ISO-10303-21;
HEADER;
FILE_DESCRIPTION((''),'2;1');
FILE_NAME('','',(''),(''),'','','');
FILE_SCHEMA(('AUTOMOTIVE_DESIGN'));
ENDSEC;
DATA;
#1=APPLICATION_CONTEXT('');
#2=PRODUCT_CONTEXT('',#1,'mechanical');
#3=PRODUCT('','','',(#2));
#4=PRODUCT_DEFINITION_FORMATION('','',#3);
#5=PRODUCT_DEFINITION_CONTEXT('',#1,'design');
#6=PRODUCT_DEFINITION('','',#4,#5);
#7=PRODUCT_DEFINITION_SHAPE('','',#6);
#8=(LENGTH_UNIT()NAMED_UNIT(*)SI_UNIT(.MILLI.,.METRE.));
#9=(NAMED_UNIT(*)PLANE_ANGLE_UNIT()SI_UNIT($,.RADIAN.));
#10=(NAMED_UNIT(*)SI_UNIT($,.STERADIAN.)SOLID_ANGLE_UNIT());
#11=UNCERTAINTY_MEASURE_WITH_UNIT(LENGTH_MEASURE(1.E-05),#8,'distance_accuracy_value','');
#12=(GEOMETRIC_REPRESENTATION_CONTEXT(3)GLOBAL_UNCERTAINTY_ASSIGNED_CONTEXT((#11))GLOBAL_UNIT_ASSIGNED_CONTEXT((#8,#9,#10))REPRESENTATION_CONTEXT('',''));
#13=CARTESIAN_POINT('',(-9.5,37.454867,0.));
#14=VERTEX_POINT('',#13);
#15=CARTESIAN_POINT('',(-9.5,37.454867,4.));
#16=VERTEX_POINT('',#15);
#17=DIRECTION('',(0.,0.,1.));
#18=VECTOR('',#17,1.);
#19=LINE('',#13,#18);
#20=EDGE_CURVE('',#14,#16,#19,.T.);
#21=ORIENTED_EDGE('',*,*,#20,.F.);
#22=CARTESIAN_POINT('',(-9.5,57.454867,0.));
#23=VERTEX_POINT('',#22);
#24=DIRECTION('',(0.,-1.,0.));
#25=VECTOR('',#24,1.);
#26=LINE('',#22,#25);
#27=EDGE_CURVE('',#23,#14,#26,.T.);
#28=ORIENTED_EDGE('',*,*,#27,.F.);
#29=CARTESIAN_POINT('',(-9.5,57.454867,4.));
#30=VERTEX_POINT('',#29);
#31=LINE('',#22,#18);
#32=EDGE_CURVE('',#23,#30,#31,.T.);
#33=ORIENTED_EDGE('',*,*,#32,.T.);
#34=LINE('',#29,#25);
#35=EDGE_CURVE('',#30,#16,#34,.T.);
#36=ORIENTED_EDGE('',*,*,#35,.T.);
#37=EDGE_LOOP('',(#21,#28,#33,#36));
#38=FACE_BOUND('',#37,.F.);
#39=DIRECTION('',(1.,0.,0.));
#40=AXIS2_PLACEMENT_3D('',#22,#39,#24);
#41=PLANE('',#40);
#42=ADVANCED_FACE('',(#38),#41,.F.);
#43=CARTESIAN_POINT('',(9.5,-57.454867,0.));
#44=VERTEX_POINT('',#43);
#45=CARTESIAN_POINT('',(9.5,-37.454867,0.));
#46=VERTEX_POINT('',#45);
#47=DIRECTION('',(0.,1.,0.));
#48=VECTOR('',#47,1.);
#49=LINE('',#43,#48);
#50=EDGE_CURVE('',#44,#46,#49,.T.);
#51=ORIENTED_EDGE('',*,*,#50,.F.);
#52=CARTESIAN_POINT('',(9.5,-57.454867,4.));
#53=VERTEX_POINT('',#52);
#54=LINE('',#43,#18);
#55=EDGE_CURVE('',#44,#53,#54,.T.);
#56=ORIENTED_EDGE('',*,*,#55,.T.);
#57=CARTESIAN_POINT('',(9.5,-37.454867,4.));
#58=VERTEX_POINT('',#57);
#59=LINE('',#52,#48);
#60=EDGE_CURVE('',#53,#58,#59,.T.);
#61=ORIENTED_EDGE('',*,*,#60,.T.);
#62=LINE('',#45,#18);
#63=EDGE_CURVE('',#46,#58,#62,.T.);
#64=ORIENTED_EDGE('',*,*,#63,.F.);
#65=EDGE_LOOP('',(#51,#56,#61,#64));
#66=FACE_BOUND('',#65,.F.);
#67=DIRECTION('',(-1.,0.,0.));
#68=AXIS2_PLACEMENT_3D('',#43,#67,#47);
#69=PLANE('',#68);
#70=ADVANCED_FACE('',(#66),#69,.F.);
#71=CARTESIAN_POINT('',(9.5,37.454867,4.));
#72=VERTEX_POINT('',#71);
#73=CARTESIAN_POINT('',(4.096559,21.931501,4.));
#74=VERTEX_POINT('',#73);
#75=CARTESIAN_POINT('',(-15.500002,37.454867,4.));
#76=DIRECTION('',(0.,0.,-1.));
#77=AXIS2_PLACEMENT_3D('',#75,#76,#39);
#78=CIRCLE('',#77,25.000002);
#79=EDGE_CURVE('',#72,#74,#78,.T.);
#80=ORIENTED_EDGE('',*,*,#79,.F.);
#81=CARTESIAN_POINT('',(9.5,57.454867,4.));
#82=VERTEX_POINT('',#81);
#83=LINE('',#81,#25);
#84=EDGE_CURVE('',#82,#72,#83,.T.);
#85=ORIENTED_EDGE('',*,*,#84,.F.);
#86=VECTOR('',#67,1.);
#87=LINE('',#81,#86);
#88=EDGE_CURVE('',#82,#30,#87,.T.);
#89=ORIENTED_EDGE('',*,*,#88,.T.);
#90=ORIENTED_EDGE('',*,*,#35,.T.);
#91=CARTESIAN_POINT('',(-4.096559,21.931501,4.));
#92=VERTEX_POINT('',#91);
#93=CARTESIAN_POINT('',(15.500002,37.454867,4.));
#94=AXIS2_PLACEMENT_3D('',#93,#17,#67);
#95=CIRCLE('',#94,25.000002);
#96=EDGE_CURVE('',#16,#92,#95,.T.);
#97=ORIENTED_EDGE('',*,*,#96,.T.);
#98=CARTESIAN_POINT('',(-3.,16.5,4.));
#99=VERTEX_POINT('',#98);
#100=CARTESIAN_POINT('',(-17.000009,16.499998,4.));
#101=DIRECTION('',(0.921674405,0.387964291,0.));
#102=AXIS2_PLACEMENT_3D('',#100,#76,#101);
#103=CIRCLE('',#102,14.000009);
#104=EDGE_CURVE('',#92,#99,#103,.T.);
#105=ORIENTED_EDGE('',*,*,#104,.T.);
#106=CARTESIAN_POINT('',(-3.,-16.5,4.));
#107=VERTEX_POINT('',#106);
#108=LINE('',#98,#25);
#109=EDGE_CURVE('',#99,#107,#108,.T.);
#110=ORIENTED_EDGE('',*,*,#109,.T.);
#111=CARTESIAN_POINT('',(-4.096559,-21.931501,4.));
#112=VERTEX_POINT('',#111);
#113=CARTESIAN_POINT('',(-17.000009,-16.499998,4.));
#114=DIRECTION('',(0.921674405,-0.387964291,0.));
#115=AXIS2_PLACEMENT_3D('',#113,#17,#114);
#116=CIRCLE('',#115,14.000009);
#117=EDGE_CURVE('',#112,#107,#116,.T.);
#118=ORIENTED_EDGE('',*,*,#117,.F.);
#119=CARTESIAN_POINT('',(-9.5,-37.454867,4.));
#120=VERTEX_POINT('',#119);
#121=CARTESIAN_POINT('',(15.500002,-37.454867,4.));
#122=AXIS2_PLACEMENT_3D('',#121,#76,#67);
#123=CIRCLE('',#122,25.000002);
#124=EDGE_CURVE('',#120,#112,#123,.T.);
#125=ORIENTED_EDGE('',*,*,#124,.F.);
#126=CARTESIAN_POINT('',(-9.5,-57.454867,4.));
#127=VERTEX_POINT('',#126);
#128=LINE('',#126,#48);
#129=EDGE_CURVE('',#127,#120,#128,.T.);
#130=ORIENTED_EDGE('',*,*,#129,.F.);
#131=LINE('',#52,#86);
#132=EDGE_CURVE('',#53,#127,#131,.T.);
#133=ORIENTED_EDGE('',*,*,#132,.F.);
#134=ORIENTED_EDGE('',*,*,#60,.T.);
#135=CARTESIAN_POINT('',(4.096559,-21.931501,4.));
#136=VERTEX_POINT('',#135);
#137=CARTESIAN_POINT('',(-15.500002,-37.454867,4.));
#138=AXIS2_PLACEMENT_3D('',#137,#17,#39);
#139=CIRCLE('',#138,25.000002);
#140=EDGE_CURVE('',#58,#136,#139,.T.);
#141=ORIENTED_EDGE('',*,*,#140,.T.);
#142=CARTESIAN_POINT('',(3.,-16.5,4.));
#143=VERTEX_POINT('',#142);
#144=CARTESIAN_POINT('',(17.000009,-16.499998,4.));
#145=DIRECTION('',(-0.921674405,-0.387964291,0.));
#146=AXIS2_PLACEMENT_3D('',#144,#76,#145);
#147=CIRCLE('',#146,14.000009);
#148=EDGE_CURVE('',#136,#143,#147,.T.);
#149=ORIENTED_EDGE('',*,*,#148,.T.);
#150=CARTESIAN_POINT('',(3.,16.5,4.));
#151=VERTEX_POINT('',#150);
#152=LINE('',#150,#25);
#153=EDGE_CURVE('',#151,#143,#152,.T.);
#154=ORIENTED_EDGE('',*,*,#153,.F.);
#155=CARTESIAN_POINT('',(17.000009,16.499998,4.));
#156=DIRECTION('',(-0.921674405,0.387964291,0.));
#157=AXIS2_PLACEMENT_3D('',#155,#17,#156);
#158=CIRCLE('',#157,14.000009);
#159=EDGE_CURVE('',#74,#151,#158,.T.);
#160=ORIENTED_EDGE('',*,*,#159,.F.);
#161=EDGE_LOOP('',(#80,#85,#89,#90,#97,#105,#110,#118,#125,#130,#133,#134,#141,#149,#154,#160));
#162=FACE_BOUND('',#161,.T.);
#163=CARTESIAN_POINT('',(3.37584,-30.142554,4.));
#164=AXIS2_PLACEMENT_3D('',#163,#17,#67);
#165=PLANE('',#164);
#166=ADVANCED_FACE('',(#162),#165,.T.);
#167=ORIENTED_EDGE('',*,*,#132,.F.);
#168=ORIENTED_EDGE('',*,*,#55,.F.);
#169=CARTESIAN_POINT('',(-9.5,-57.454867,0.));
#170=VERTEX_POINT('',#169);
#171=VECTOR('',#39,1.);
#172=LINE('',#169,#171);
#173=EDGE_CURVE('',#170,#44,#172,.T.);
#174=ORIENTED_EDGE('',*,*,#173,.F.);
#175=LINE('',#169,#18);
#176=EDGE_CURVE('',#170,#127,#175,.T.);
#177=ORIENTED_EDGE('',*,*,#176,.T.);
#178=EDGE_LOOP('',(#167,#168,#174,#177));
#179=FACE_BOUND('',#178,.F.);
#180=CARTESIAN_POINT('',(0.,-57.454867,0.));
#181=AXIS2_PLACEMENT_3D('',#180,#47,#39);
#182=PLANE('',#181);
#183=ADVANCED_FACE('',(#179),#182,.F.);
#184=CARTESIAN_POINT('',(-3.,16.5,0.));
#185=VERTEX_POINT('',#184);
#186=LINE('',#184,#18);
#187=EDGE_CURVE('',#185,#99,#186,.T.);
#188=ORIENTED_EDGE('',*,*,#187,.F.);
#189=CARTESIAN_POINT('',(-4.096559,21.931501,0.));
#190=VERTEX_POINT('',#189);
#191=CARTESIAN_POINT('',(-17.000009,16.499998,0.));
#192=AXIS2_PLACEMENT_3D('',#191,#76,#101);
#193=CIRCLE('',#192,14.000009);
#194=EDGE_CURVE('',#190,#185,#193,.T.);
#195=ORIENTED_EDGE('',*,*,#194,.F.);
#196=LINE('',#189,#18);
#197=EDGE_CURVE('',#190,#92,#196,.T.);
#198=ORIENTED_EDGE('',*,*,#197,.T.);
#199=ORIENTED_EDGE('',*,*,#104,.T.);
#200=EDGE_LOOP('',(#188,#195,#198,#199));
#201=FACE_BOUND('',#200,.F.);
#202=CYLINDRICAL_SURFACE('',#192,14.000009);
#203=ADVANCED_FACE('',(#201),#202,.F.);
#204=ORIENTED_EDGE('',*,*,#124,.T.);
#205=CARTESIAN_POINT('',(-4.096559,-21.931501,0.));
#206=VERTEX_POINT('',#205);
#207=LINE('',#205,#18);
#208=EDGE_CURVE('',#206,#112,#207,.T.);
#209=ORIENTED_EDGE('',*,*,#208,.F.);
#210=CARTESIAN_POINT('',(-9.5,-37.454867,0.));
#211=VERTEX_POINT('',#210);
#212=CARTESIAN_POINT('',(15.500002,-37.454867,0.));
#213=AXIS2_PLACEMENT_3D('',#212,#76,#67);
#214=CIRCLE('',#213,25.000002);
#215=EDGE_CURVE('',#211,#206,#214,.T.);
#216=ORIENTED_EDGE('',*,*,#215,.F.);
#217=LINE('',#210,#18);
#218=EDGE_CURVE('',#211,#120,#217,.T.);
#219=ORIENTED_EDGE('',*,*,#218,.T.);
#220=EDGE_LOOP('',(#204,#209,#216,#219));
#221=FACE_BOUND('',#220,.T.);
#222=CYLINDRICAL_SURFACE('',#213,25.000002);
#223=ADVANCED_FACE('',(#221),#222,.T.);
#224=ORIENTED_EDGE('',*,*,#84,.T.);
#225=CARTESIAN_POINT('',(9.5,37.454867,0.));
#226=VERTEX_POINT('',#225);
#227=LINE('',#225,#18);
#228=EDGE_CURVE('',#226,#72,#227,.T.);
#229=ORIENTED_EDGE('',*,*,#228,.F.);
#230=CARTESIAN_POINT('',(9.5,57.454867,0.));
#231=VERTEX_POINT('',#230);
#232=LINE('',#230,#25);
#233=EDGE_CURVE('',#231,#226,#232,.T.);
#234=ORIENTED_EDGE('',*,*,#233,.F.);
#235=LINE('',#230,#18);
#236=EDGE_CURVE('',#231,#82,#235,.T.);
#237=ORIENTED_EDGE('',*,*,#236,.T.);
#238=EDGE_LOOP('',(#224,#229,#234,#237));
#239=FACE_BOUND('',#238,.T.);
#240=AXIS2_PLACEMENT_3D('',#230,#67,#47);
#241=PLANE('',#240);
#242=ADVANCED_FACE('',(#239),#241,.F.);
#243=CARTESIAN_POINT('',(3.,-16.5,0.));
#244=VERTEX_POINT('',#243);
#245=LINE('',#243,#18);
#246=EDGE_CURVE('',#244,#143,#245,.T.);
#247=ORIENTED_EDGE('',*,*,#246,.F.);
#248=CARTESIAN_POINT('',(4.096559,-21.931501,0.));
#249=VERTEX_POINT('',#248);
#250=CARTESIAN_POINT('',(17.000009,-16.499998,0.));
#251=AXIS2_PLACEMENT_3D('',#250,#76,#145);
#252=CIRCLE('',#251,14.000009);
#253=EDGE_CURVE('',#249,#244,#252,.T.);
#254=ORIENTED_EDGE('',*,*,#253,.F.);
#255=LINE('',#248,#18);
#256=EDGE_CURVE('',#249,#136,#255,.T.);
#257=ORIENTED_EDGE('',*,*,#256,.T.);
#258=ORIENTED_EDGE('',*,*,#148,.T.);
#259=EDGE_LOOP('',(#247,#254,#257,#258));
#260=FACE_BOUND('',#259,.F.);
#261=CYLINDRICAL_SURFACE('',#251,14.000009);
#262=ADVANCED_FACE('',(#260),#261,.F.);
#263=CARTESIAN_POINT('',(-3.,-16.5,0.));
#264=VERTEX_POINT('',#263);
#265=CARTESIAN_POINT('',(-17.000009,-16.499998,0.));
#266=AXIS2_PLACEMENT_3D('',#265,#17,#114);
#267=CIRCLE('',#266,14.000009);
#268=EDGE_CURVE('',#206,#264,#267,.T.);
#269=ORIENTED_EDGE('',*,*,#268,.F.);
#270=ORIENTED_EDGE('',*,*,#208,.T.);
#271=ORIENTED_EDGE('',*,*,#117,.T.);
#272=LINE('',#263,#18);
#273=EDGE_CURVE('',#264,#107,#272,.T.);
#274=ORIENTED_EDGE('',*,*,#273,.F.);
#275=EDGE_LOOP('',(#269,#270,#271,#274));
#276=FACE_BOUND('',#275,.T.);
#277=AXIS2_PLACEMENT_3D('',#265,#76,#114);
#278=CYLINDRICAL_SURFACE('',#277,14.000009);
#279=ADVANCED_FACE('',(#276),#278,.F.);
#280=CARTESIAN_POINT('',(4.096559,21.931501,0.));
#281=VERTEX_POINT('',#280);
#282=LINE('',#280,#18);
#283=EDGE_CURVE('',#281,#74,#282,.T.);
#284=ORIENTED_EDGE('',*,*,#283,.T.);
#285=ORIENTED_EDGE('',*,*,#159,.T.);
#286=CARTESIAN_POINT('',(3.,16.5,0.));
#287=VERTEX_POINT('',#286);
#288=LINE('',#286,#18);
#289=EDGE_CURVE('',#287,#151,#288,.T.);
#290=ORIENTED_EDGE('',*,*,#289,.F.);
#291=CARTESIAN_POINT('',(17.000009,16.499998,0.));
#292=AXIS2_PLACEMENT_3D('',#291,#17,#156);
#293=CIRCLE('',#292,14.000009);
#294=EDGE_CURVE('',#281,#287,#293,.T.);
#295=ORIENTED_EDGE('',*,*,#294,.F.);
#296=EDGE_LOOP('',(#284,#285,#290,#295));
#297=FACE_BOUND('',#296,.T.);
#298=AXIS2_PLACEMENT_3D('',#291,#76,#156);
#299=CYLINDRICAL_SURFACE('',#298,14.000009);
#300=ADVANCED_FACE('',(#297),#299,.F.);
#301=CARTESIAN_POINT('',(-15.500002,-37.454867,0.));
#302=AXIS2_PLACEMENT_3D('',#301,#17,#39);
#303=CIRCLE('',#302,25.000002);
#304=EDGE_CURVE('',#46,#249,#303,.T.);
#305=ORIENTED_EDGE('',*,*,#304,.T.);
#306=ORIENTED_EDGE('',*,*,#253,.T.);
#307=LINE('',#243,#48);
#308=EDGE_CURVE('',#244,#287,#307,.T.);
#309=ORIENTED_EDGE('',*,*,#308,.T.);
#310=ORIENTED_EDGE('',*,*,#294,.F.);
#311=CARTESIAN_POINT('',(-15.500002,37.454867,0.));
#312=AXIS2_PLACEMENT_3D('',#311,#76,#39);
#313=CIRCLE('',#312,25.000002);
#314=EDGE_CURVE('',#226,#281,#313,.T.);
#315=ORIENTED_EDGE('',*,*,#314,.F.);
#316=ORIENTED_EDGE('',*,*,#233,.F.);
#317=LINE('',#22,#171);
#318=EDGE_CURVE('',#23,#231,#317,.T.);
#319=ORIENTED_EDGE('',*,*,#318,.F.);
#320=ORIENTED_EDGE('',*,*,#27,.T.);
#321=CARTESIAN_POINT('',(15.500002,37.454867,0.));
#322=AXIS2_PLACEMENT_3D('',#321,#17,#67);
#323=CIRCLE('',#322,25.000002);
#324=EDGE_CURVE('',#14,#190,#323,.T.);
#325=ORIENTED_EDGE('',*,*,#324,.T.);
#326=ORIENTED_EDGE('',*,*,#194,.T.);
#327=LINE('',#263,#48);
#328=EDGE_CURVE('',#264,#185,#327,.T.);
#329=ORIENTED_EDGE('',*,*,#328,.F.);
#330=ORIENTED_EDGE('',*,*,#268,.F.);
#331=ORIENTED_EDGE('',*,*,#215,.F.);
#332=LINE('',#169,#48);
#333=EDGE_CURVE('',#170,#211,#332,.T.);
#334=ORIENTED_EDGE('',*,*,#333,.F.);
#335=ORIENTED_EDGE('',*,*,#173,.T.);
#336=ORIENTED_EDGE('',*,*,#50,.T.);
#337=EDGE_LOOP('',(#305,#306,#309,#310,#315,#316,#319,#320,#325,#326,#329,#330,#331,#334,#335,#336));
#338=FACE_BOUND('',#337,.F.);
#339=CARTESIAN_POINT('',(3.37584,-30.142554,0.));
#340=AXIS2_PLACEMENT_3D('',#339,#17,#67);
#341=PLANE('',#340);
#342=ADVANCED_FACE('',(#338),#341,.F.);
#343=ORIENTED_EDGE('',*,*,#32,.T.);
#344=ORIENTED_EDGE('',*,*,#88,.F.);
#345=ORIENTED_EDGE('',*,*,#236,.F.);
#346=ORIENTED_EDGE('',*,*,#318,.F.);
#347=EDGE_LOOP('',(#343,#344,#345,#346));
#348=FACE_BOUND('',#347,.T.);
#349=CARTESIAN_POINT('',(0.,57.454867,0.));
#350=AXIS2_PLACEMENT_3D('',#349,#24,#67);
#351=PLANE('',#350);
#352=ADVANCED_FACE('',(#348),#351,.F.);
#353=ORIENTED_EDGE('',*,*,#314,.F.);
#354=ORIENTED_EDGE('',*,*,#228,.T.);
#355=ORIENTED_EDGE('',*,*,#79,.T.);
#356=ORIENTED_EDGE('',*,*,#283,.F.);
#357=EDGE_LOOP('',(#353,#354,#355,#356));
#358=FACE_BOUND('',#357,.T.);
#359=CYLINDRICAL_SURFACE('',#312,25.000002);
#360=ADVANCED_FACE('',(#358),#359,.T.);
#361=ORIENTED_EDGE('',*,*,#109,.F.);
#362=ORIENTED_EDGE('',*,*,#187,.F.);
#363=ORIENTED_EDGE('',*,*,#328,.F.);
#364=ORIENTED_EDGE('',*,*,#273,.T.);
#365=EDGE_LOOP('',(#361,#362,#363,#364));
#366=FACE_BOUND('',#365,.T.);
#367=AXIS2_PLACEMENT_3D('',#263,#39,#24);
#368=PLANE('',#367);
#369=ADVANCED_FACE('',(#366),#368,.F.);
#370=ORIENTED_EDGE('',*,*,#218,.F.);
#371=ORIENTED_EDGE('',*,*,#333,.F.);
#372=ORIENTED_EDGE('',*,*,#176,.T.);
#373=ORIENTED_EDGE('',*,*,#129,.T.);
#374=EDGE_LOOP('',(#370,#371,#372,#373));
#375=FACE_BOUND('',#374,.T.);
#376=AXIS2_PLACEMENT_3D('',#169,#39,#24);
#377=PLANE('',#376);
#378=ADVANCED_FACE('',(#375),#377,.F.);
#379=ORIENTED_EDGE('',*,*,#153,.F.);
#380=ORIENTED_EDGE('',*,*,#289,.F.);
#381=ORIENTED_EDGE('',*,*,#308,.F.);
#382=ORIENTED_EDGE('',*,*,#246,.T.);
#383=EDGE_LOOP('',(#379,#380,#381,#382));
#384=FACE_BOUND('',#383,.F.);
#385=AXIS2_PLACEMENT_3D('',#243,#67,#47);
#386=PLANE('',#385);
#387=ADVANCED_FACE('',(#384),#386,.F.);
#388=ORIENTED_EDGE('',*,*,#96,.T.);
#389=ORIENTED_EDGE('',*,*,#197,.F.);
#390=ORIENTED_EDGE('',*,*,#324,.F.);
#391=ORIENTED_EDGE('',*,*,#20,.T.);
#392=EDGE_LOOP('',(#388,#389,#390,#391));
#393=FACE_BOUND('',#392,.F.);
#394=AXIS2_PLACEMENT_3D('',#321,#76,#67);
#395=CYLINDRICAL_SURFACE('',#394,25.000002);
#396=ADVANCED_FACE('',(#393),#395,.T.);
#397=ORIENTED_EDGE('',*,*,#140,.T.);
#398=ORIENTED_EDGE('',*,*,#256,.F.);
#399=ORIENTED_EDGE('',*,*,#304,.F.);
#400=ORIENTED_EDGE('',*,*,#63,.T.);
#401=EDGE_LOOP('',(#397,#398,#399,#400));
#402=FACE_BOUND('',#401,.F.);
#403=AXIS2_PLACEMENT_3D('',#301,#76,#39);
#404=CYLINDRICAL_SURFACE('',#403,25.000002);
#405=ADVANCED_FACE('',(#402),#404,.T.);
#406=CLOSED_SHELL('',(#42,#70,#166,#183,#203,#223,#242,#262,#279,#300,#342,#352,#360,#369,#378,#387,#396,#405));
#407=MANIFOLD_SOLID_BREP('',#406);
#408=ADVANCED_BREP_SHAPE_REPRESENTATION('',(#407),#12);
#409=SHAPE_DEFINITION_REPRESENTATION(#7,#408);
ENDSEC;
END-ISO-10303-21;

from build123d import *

# Parameters (mm, degrees)
F1_DEPTH = 4


with BuildPart() as f1:
    # F0 (on Top) → F1 (new body)
    with BuildSketch(Plane.XY):
        with BuildLine():
            Line((-9.5, 57.454867), (-9.5, 37.454867))
            ThreePointArc((-9.5, 37.454867), (-8.110527, 29.236411), (-4.096559, 21.931501))
            ThreePointArc((-4.096559, 21.931501), (-3.276878, 19.270544), (-3, 16.5))
            Line((-3, 16.5), (-3, 0))
            Line((-3, 0), (0, 0))
            Line((0, 0), (0, 57.454867))
            Line((0, 57.454867), (-9.5, 57.454867))
        make_face()
    extrude(amount=F1_DEPTH)

    # F2: F1 across face


with BuildPart() as f1_1:
    add(f1.part)
    add(f1.part.mirror(Plane(origin=(-1.5, 0, 2), x_dir=(1, 0, 0), z_dir=(0, -1, 0))))

    # F3: F1 across face


with BuildPart() as f1_2:
    add(f1_1.part)
    add(f1_1.part.mirror(Plane(origin=(0, 0, 2), x_dir=(0, 1, 0), z_dir=(1, 0, 0))))


solid = f1_2.part
